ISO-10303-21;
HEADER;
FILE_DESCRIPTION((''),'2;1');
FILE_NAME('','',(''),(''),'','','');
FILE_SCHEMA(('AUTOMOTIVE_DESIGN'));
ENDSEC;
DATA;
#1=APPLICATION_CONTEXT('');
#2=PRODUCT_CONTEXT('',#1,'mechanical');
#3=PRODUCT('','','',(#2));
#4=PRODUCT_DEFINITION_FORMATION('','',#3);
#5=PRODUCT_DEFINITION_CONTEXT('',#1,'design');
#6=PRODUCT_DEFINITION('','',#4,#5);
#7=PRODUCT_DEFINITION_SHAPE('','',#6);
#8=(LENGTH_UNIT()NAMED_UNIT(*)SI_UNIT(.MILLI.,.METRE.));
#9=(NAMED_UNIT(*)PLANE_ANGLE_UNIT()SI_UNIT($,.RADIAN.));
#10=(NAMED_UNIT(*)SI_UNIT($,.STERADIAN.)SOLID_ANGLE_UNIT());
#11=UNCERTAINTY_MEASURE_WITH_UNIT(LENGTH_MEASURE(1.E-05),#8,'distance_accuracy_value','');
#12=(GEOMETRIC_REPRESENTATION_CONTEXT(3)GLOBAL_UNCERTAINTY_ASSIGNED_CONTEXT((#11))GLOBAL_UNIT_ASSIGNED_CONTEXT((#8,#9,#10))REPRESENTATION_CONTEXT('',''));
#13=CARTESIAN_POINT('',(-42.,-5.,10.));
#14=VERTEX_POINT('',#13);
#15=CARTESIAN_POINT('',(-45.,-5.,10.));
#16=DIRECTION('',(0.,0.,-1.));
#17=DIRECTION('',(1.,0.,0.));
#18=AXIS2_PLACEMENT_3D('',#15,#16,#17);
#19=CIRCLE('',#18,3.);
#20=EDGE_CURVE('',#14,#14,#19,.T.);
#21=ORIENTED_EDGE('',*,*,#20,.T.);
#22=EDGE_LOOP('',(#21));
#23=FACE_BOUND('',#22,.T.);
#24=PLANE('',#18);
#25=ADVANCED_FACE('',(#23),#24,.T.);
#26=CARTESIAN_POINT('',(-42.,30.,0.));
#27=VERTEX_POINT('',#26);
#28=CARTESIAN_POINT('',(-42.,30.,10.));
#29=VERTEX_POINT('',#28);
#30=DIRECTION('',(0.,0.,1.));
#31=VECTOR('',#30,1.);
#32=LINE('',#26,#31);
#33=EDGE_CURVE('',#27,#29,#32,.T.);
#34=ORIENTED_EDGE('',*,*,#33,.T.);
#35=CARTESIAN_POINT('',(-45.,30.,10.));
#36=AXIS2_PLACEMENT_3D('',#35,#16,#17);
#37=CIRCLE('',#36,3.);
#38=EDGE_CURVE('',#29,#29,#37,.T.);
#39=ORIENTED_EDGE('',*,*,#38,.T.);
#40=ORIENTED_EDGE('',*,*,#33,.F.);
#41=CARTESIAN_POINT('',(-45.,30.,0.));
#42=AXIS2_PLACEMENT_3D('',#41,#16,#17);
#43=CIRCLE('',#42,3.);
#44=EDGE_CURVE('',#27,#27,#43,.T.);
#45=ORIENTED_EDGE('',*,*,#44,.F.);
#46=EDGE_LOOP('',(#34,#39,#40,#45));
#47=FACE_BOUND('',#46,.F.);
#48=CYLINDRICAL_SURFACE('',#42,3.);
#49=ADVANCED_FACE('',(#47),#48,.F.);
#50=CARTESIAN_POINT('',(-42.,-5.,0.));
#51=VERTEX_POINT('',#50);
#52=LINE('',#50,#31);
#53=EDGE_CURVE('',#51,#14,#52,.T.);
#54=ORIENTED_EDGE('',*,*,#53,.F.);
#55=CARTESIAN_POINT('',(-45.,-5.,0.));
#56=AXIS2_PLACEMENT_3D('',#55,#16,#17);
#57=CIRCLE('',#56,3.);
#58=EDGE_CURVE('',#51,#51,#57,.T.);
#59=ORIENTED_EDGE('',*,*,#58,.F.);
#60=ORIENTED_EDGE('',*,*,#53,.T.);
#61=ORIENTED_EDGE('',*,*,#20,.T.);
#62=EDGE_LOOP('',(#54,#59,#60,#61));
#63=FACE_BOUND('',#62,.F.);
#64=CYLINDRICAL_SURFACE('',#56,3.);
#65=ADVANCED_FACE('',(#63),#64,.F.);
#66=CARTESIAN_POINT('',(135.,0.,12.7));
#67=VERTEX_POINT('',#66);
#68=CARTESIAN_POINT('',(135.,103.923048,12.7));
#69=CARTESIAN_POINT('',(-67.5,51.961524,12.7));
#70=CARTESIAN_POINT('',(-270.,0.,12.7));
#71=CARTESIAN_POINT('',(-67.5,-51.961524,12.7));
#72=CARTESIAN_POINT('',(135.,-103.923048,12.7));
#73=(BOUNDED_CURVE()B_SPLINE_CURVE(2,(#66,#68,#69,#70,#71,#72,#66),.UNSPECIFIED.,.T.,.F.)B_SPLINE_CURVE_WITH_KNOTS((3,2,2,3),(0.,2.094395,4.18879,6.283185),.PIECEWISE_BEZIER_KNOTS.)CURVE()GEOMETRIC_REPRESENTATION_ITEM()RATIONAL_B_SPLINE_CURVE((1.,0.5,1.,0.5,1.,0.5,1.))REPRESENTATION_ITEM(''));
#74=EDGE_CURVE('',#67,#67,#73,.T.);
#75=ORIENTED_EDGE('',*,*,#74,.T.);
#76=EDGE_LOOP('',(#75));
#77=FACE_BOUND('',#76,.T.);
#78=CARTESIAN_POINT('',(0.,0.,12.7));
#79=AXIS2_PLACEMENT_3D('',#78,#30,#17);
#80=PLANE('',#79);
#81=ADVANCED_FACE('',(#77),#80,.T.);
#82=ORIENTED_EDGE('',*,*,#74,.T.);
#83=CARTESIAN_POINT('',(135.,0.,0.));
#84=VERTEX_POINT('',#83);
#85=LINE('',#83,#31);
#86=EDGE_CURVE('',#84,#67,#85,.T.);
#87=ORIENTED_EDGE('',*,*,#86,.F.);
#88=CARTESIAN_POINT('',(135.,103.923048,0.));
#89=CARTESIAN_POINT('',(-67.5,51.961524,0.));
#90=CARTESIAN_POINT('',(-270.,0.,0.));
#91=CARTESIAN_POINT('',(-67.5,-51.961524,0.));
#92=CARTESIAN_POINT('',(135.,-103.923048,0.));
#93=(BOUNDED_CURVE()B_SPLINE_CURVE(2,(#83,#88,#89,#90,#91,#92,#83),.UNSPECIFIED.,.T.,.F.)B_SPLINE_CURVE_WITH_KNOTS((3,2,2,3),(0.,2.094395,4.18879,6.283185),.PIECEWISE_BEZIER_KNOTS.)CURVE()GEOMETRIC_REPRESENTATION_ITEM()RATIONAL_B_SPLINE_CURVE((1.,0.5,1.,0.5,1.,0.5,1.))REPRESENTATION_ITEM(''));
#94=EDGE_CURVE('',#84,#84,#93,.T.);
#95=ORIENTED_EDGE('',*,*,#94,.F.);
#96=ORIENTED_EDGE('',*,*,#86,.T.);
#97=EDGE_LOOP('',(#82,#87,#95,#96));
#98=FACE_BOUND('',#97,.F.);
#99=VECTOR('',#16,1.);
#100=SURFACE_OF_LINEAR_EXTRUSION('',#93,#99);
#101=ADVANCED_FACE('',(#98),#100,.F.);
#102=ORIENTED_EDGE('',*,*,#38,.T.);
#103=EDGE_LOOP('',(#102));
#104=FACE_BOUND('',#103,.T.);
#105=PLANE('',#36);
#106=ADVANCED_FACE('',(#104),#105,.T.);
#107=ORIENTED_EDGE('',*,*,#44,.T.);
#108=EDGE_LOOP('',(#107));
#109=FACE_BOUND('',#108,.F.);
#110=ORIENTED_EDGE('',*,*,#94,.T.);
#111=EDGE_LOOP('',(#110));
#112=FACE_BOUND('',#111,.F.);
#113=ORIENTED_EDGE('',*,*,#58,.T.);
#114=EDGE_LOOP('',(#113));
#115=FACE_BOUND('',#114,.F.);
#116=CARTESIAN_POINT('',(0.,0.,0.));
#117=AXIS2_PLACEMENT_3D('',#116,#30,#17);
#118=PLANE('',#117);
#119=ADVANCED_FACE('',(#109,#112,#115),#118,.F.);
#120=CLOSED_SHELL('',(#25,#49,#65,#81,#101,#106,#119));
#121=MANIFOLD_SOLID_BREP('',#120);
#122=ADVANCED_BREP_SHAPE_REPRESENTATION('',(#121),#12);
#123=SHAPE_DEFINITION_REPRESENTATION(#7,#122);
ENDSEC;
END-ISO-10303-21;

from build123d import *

# Parameters (mm, degrees)
F1_DEPTH = 12.7
F2_R     = 3
F3_DEPTH = 10


with BuildPart() as f1:
    # F0 (on Top) → F1 (new body)
    with BuildSketch(Plane.XY):
        with BuildLine():
            add(Edge.make_bspline(
                [(135, 0), (135, 103.923048), (-67.5, 51.961524), (-270, 0), (-67.5, -51.961524), (135, -103.923048), (135, 0)],
                knots=[0, 0, 0, 2.094395, 2.094395, 4.18879, 4.18879, 6.283185, 6.283185, 6.283185], degree=2, weights=[1, 0.5, 1, 0.5, 1, 0.5, 1]))
        make_face()
    extrude(amount=F1_DEPTH)

    # F2 (on face) → F3 (cut)
    with BuildSketch(Plane(origin=(0, 0, 0), x_dir=(1, 0, 0), z_dir=(0, 0, -1))):
        with Locations((-45, -30)):
            Circle(F2_R)
        with Locations((-45, 5)):
            Circle(F2_R)
    extrude(amount=-F3_DEPTH, mode=Mode.SUBTRACT)


solid = f1.part
